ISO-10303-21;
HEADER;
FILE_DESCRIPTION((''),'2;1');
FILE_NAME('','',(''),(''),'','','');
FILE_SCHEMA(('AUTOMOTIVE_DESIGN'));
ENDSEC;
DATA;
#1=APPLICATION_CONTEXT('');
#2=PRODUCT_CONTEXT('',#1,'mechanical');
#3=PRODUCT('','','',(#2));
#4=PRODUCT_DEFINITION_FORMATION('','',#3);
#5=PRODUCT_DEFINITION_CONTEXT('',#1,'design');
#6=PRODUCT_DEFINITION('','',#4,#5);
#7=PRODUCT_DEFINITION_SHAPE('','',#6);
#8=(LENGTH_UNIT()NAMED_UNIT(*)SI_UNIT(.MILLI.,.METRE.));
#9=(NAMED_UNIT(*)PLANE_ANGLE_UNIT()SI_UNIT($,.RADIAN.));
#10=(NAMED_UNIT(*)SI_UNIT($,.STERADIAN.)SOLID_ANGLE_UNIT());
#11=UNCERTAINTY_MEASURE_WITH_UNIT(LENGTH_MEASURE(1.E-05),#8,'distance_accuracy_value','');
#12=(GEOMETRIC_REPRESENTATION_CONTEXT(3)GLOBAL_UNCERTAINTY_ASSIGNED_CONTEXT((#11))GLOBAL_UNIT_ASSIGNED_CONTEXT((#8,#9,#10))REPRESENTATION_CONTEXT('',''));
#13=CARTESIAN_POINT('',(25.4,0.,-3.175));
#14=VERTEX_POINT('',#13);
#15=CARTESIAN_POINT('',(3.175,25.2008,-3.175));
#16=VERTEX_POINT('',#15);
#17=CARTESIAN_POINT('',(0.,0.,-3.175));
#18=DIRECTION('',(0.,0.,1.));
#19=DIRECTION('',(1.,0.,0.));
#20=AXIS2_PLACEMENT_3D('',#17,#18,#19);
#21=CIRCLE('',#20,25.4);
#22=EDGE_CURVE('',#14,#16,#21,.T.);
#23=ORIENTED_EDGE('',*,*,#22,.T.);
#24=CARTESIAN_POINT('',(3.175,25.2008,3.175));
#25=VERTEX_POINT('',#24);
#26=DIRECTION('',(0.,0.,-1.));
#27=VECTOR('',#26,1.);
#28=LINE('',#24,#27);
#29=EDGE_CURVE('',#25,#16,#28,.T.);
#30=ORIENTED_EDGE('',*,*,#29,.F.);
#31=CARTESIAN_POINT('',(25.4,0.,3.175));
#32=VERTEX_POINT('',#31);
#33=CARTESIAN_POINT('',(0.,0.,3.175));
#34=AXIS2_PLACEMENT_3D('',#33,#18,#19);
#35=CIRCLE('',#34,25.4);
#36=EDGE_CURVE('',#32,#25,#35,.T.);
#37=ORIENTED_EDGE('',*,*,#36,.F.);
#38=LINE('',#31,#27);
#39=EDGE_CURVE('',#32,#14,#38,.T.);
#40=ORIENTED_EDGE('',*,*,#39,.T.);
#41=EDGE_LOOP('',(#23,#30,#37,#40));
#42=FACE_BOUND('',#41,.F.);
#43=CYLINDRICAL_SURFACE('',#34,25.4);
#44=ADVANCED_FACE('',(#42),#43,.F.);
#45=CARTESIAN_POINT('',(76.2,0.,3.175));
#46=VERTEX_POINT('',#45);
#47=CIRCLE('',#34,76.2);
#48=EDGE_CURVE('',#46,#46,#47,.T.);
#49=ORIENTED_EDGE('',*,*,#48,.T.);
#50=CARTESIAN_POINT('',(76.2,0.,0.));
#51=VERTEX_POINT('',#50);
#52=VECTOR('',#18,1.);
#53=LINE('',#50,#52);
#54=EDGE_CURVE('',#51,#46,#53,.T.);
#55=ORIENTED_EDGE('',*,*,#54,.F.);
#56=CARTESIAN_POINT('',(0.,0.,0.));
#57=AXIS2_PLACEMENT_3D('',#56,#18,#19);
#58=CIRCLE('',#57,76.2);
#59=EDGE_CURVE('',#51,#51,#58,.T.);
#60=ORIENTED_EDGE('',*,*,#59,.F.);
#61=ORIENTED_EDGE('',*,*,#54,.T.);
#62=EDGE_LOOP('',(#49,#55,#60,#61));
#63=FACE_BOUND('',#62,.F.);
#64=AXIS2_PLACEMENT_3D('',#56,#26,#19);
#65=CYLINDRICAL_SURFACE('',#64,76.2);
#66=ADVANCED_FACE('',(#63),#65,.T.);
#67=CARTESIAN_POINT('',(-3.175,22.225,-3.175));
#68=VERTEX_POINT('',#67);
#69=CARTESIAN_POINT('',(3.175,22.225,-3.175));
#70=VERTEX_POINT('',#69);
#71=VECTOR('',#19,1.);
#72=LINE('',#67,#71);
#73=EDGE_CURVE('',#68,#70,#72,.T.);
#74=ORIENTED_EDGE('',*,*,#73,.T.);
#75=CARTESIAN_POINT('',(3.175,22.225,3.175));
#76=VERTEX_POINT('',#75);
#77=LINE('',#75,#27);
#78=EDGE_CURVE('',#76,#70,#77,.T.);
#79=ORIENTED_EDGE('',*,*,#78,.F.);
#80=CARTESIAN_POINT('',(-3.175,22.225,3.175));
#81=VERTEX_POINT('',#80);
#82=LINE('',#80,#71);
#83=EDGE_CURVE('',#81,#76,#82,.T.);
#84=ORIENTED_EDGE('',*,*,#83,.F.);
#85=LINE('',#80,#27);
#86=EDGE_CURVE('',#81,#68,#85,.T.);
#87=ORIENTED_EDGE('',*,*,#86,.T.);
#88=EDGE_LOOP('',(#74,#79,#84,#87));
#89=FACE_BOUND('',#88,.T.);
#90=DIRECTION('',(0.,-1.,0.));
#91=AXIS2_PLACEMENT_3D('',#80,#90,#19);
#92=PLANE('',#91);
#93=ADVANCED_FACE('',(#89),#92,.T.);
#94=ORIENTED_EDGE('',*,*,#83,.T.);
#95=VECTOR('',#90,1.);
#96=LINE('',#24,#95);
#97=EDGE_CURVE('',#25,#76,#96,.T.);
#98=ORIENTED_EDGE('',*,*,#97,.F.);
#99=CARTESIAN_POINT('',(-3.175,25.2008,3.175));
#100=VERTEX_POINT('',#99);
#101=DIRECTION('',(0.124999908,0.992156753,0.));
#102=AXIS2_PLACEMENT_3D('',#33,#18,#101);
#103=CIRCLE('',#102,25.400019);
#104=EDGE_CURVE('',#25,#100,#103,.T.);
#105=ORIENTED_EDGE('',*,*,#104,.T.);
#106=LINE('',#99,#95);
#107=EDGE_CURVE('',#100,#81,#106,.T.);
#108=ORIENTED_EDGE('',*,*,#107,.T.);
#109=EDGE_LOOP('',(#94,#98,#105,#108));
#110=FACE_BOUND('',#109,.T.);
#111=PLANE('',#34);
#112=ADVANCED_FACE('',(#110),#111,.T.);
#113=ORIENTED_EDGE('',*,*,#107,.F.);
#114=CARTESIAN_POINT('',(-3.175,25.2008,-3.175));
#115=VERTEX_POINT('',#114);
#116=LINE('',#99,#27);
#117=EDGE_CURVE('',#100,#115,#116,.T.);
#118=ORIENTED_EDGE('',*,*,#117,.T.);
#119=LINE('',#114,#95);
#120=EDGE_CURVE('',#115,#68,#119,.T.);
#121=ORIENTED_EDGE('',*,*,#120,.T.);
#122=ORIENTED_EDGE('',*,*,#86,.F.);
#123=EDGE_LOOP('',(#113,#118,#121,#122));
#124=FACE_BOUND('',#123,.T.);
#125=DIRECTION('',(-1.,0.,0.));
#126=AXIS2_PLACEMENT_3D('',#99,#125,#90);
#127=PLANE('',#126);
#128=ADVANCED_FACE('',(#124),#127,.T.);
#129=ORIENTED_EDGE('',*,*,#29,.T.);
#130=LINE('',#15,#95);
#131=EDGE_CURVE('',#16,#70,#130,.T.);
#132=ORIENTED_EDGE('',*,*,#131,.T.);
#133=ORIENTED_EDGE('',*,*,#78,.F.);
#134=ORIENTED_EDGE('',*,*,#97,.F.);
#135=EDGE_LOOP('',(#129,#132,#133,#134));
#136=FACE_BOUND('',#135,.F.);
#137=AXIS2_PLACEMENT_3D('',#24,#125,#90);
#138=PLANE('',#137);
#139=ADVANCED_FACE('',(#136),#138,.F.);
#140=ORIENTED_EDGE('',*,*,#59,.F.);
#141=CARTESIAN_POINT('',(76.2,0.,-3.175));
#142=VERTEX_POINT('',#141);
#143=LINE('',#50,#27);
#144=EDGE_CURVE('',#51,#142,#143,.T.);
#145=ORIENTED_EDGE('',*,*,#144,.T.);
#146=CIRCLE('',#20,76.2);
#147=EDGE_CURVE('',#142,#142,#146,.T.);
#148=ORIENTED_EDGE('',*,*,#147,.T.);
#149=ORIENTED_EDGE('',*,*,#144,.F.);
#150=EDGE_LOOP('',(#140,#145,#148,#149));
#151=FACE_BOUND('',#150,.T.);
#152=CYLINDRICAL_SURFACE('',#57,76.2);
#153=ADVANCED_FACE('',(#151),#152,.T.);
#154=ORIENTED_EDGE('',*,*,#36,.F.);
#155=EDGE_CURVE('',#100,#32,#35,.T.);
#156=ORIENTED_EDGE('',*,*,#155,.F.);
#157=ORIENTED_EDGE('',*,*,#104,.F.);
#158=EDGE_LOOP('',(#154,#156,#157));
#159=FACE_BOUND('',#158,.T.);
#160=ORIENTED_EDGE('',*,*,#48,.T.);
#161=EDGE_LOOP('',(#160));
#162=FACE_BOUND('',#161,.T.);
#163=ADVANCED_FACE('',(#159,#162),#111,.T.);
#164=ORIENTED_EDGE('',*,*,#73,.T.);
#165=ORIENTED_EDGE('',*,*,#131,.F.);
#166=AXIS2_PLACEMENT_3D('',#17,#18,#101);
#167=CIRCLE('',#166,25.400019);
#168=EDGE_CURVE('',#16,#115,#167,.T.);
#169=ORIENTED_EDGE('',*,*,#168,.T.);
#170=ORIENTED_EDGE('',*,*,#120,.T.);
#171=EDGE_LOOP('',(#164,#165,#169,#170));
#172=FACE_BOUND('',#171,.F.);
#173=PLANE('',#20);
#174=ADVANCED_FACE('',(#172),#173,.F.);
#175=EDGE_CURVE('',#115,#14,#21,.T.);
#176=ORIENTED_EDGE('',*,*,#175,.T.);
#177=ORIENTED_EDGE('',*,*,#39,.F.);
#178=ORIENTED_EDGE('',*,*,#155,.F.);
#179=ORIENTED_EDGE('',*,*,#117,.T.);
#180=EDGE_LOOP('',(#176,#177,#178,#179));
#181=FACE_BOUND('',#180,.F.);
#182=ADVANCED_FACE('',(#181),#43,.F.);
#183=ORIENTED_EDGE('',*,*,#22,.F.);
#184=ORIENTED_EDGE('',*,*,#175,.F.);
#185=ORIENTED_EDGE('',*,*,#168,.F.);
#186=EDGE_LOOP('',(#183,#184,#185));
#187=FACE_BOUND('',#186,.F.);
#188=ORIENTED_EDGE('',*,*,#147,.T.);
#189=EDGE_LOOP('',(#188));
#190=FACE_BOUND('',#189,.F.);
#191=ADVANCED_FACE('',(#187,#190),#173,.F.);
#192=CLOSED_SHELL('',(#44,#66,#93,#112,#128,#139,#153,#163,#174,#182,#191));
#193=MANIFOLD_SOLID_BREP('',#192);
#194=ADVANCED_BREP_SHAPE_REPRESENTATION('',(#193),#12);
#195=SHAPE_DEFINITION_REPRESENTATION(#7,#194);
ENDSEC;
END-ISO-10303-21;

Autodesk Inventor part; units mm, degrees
ref_plane "YZ Plane" through (0, 0, 0) normal (1, 0, 0) x (0, 1, 0)
ref_plane "XZ Plane" through (0, 0, 0) normal (0, 1, 0) x (-1, 0, 0)
ref_plane "XY Plane" through (0, 0, 0) normal (0, 0, 1) x (1, 0, 0)
sketch "Sketch1" plane through (0, 0, 0) normal (0, 0, 1) x (1, 0, 0)
  circle A0 centre (0, 0) radius 76.2
  dimension "d0" = 152.4
extrude "Extrusion1" add sketch "Sketch1" along normal mid plane 6.35
sketch "Sketch3" plane through (0, 0, 3.175) normal (0, 0, 1) x (1, 0, 0)
  circle A0 centre (0, 0) radius 25.4
  dimension "d8" = 50.8
extrude "Extrusion3" cut sketch "Sketch3" against normal through all
sketch "Sketch5" plane through (0, 0, 3.175) normal (0, 0, 1) x (1, 0, 0)
  arc A0 (3.175, 25.2008) -> (-3.175, 25.2008) centre (0, 0) ccw
  circle A1 centre (0, 0) radius 25.4 projected
  line L0 (-3.175, 25.2008) -> (-3.175, 22.225)
  line L1 (3.175, 25.2008) -> (3.175, 22.225)
  line L2 (-3.175, 22.225) -> (3.175, 22.225)
  dimension "d11" = 3.175
  dimension "d13" = 6.35
extrude "Extrusion4" add sketch "Sketch5" against normal blind 6.35 contours L1 L2 L0 A0
sketch "Sketch7" plane through (0, 0, -3.175) normal (0, 0, -1) x (-1, 0, 0)
  arc A0 (3.175, -25.2008) -> (20.237, -15.35) centre (0, 0) ccw projected
  circle A1 centre (0, 0) radius 38.1
  circle A2 centre (0, 0) radius 4.7625
  dimension "d19" = 76.2
  dimension "d20" = 9.525
properties part number "6x1_4-testSampleGear" material "PC/ABS Plastic"
